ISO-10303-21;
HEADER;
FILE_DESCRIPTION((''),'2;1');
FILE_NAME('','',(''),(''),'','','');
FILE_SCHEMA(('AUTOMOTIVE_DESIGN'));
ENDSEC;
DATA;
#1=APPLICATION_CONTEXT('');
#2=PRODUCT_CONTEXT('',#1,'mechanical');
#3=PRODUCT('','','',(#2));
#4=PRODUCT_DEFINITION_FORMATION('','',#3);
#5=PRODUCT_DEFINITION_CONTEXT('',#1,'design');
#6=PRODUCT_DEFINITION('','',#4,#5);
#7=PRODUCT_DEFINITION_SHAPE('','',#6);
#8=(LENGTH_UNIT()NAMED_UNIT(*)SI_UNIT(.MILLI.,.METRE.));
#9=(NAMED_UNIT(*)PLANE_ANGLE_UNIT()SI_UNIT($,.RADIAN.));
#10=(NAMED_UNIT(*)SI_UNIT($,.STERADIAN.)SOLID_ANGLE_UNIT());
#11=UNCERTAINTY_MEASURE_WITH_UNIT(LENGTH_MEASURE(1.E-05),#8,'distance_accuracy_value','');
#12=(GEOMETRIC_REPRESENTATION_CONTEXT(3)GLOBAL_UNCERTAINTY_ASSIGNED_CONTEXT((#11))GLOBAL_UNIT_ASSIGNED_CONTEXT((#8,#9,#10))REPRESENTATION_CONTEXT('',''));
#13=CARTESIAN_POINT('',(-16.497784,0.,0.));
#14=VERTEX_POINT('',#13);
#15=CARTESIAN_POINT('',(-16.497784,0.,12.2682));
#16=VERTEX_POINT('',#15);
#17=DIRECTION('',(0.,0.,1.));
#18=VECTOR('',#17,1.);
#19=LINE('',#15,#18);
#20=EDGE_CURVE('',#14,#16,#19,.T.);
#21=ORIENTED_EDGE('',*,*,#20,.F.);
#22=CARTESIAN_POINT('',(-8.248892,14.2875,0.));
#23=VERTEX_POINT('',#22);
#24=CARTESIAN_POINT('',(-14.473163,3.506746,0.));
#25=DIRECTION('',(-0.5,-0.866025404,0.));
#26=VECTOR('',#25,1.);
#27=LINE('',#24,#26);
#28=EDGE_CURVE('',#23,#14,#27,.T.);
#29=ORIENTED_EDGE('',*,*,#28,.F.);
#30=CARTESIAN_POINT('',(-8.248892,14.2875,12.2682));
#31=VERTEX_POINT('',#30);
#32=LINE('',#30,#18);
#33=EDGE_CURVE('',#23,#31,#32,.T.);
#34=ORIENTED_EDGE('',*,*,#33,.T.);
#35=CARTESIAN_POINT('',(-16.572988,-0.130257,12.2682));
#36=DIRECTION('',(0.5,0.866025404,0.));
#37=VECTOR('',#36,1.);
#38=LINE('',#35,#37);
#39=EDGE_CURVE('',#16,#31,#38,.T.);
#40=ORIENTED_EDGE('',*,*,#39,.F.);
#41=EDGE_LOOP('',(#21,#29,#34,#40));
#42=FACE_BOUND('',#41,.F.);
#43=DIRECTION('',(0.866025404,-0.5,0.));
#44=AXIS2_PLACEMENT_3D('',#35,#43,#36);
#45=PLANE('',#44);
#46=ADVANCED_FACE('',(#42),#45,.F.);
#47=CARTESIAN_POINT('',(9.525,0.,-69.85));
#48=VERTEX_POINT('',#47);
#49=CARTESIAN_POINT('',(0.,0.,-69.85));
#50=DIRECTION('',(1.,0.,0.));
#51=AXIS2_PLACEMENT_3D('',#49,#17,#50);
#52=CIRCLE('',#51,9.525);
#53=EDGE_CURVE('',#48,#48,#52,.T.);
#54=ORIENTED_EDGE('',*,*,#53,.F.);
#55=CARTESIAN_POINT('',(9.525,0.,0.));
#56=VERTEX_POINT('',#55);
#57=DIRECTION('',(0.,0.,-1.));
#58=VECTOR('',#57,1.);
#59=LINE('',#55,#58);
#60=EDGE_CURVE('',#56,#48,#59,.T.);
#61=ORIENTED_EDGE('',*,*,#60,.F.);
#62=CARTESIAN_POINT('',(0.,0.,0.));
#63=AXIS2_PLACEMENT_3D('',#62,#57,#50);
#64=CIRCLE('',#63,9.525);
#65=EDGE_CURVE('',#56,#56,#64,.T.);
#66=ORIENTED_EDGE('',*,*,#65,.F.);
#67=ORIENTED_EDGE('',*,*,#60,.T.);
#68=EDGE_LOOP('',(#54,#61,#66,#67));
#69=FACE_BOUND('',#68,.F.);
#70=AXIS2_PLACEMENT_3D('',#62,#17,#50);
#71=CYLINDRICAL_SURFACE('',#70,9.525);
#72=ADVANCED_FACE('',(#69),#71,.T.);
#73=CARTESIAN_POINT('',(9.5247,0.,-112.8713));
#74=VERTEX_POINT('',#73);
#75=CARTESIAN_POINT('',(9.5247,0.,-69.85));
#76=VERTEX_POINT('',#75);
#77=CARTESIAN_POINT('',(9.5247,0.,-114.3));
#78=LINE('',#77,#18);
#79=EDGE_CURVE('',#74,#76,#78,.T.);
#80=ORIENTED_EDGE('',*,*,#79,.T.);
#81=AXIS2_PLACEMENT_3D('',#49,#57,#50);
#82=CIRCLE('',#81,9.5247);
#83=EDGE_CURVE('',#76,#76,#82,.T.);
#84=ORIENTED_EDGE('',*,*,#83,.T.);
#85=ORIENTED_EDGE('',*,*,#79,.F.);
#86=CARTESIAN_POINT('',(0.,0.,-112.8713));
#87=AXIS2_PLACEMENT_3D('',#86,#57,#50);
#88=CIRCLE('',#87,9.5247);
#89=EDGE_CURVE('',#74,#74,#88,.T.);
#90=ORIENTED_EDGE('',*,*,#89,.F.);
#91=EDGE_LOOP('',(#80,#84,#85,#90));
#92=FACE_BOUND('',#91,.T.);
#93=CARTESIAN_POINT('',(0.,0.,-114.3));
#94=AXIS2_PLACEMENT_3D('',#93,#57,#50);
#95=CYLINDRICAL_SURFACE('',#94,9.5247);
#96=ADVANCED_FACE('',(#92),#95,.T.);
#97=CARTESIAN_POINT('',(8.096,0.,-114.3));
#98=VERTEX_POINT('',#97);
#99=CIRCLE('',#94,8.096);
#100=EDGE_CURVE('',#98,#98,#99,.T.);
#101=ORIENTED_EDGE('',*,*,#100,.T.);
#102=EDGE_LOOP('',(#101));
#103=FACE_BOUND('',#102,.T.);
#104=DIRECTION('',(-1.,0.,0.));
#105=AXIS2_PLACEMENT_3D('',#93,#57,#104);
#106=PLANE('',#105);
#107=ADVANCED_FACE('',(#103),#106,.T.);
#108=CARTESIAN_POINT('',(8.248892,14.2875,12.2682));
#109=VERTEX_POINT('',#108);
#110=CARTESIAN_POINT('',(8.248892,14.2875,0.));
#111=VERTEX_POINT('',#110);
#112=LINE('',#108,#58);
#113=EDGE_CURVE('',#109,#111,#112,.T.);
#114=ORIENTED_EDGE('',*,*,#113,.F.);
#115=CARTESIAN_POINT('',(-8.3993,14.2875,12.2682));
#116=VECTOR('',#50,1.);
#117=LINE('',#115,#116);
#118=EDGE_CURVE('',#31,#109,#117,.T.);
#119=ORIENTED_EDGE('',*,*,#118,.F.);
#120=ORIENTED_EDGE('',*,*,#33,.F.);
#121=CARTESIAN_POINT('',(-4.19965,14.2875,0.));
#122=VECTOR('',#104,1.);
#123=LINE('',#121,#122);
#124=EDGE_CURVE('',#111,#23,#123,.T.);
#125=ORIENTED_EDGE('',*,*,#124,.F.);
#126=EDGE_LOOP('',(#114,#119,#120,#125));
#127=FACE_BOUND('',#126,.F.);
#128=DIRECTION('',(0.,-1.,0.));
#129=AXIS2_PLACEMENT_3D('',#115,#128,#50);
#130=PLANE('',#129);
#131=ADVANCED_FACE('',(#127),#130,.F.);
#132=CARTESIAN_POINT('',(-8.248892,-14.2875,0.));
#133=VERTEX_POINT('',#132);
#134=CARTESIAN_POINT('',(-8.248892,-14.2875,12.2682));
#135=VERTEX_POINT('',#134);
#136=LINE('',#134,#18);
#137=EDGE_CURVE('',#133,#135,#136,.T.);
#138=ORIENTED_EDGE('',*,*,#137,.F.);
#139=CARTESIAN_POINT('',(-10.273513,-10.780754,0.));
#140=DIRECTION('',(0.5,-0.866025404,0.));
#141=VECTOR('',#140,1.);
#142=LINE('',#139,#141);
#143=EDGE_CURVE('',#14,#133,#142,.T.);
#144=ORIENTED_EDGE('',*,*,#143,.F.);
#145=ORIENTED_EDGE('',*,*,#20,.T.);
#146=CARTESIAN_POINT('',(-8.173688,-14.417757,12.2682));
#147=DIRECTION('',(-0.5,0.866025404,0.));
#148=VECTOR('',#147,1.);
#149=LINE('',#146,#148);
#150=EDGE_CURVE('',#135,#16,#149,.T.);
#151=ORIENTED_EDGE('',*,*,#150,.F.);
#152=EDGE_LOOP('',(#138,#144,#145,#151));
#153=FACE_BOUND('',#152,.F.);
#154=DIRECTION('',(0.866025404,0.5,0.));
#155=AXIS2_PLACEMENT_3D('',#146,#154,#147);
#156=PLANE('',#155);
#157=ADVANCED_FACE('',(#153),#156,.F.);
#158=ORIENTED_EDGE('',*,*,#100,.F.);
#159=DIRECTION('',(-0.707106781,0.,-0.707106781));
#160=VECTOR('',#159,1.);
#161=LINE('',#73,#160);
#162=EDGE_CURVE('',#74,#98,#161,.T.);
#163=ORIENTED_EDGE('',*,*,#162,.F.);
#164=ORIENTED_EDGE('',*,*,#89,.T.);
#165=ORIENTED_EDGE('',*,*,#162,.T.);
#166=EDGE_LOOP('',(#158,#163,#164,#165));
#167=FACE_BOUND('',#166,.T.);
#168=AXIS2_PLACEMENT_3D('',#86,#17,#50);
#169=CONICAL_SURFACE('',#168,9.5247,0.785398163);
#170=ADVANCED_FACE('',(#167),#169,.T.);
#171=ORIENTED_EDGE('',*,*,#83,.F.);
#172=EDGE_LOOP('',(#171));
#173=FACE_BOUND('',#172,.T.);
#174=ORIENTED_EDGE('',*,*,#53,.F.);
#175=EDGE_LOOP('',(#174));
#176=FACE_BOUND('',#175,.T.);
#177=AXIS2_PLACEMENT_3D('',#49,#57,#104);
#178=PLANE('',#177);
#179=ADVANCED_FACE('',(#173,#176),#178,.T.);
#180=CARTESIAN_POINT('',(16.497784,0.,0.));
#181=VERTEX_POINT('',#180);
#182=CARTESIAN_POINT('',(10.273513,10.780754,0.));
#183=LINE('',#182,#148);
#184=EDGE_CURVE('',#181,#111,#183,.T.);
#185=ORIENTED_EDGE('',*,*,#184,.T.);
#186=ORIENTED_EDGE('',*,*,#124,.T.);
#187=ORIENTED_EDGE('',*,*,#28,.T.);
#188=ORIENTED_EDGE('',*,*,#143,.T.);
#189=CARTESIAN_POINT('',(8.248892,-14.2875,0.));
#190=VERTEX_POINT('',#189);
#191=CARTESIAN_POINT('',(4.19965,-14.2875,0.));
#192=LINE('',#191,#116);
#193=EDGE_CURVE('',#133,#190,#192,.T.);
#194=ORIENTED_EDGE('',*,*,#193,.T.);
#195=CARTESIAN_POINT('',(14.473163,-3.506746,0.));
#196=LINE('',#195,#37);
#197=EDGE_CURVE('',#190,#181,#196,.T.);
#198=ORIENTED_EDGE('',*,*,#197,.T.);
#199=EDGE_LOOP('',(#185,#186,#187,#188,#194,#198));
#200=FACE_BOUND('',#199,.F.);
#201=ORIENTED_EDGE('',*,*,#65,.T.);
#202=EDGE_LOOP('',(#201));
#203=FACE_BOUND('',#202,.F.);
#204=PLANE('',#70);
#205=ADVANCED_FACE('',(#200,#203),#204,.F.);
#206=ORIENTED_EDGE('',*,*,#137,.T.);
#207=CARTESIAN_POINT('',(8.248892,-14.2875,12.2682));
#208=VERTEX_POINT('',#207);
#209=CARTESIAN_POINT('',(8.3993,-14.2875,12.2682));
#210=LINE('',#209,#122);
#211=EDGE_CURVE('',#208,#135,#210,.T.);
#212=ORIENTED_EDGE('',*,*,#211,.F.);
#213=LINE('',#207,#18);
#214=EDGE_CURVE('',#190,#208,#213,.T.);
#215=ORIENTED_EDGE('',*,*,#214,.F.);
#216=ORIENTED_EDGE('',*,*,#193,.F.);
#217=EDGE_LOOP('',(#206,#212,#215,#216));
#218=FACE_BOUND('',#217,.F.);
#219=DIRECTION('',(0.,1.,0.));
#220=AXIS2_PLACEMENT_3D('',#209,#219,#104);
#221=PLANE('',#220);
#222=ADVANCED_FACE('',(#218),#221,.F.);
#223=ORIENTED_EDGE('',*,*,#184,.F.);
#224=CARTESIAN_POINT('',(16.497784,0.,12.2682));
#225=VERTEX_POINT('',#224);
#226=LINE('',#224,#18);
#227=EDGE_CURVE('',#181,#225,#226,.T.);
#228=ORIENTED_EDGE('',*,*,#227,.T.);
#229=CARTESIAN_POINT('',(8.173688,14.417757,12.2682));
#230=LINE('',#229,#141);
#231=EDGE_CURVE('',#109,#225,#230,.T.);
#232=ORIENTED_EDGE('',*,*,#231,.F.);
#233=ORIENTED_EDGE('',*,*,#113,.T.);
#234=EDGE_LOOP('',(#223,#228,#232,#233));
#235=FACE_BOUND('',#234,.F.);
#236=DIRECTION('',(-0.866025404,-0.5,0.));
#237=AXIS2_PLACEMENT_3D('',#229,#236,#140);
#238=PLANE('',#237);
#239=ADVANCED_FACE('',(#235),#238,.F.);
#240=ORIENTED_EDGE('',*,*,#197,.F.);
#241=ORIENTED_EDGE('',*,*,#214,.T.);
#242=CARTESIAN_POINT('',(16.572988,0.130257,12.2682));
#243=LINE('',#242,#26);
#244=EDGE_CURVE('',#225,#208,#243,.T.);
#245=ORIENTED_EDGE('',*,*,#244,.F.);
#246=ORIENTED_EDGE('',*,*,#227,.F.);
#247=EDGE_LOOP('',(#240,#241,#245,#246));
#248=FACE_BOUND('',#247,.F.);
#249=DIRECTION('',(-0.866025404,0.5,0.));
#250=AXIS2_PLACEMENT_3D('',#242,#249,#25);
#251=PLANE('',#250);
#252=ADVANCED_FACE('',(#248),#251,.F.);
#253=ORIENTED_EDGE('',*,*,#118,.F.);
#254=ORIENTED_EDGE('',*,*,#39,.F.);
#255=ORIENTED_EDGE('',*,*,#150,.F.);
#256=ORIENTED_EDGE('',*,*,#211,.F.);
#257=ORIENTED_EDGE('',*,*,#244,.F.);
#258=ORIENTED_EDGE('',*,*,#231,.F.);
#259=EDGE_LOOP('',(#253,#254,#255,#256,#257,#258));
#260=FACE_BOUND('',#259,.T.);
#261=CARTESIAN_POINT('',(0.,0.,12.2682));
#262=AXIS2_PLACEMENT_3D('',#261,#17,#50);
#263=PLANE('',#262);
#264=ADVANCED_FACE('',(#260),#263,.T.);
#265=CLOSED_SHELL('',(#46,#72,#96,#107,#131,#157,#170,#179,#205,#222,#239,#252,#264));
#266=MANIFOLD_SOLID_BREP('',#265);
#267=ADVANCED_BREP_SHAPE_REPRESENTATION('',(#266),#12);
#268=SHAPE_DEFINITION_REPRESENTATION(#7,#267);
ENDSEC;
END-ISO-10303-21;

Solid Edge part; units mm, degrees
sketch "Sketch1" plane through (0, 0, 0) normal (0, 0, 1) x (1, 0, 0)
  circle A0 centre (0, 0) radius 16.5735
  dimension "D1" = 33.147
extrude "Protrusion1" add sketch "Sketch1" along normal blind 12.2682
sketch "Sketch2" plane through (0, 0, 0) normal (0, 0, -1) x (1, 0, 0)
  circle A0 centre (0, 0) radius 9.525
extrude "Protrusion2" add sketch "Sketch2" along normal blind 114.3
sketch "Sketch3" plane through (0, 0, -114.3) normal (0, 0, -1) x (1, 0, 0)
  circle A0 centre (0, 0) radius 9.5247
extrude "Cutout1" cut sketch "Sketch3" against normal blind 44.45 flip side to cut
chamfer "Chamfer_1" distance 1.4287 angle 45 1 edges at (-9.5247, 0, -114.3)
sketch "Sketch4" plane through (0, 0, 12.2682) normal (0, 0, 1) x (1, 0, 0)
  line L0 (-8.3993, 14.2875) -> (8.3993, 14.2875)
  dimension "D1" = 28.575
extrude "Cutout2" cut sketch "Sketch4" against normal up to next material side at (0, 14.3375, 12.2682)
pattern_circular "Pattern1" count 6 over 360 about axis through (0, 0, 12.2682) along (0, 0, 1) of "Cutout2"
properties part number "185531"
